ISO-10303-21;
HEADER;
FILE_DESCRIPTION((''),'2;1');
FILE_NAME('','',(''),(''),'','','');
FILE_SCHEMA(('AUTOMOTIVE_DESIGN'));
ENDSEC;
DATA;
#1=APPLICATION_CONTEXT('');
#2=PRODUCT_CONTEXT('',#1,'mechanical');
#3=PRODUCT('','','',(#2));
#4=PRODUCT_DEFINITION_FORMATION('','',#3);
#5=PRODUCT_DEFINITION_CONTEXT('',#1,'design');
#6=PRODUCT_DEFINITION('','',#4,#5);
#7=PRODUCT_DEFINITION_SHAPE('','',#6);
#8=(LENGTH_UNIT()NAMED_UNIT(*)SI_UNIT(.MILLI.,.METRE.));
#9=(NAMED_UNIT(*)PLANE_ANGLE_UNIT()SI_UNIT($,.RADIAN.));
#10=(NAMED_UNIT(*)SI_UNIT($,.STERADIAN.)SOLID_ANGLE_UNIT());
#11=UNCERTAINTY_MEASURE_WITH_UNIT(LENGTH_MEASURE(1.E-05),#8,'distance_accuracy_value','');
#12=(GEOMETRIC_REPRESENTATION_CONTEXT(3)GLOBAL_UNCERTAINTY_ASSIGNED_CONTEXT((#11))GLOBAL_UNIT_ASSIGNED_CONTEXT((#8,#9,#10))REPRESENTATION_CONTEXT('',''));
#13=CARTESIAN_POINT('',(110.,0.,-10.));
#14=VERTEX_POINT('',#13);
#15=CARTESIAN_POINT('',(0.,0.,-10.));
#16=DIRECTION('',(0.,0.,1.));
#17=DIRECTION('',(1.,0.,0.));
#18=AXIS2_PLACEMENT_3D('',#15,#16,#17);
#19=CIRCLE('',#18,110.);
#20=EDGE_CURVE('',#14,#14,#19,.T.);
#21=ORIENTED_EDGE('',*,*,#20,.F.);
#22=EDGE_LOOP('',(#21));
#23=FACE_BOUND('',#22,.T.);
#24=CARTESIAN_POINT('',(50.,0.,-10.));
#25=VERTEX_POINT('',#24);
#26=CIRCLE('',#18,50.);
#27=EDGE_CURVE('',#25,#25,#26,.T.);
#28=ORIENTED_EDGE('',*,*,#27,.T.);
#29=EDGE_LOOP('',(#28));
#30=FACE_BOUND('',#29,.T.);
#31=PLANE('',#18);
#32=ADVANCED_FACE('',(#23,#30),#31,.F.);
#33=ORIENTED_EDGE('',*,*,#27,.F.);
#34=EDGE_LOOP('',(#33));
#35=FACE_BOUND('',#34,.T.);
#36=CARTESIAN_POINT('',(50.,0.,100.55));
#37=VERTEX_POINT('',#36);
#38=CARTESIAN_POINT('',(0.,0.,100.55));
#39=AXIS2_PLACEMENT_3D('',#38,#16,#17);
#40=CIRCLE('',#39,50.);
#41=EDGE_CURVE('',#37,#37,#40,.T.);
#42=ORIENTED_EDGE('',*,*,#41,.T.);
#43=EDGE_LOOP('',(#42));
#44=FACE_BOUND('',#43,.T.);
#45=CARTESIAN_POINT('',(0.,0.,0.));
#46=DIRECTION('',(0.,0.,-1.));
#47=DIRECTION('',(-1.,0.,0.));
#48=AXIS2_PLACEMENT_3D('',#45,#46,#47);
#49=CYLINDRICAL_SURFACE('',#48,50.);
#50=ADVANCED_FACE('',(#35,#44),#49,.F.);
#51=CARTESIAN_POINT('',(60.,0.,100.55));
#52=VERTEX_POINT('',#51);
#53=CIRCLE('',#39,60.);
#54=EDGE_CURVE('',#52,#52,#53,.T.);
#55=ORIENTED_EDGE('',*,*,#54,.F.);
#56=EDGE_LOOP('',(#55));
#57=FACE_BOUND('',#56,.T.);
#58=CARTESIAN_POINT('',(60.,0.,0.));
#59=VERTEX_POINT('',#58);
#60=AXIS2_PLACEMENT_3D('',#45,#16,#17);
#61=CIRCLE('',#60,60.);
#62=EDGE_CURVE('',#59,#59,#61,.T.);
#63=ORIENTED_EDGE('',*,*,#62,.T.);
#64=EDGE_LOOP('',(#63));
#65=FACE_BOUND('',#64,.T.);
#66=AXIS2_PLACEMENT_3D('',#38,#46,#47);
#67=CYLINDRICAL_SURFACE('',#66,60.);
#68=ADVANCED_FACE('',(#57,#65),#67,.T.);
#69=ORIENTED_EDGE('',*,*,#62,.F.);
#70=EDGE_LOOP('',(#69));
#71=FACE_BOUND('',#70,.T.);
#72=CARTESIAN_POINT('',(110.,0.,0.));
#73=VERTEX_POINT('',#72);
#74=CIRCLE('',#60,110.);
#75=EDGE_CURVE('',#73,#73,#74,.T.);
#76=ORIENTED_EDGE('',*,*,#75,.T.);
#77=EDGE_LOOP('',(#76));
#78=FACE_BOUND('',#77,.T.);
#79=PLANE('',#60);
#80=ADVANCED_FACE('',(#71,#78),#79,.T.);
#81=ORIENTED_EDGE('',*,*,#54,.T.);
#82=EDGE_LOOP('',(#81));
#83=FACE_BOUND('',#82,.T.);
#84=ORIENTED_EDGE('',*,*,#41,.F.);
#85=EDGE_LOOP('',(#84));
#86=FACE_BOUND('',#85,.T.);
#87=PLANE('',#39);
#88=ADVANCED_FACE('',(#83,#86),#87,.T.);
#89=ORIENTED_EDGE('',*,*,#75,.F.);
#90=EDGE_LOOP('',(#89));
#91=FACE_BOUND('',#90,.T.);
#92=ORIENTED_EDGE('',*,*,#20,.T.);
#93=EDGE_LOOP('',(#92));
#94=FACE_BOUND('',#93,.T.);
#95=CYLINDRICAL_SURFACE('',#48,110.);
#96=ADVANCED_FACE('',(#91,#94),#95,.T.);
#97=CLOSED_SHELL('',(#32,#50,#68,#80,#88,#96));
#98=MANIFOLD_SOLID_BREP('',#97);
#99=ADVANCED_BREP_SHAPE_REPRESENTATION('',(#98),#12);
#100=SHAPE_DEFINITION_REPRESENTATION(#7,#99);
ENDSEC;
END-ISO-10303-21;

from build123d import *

# Parameters (mm, degrees)
SKETCH1_R          = 110
SKETCH1_R_2        = 50
BASE_EXTRUDE_DEPTH = 10
SKETCH2_R          = 60
SKETCH2_R_2        = 50
EXTRUDE1_DEPTH     = 100.55


with BuildPart() as part:
    # Sketch1 → Base-Extrude (new body)
    with BuildSketch(Plane.XY.offset(-10)):
        Circle(SKETCH1_R)
        Circle(SKETCH1_R_2, mode=Mode.SUBTRACT)
    extrude(amount=BASE_EXTRUDE_DEPTH)

    # Sketch2 → Extrude1 (add)
    with BuildSketch(Plane.XY):
        Circle(SKETCH2_R)
        Circle(SKETCH2_R_2, mode=Mode.SUBTRACT)
    extrude(amount=EXTRUDE1_DEPTH)


solid = part.part
